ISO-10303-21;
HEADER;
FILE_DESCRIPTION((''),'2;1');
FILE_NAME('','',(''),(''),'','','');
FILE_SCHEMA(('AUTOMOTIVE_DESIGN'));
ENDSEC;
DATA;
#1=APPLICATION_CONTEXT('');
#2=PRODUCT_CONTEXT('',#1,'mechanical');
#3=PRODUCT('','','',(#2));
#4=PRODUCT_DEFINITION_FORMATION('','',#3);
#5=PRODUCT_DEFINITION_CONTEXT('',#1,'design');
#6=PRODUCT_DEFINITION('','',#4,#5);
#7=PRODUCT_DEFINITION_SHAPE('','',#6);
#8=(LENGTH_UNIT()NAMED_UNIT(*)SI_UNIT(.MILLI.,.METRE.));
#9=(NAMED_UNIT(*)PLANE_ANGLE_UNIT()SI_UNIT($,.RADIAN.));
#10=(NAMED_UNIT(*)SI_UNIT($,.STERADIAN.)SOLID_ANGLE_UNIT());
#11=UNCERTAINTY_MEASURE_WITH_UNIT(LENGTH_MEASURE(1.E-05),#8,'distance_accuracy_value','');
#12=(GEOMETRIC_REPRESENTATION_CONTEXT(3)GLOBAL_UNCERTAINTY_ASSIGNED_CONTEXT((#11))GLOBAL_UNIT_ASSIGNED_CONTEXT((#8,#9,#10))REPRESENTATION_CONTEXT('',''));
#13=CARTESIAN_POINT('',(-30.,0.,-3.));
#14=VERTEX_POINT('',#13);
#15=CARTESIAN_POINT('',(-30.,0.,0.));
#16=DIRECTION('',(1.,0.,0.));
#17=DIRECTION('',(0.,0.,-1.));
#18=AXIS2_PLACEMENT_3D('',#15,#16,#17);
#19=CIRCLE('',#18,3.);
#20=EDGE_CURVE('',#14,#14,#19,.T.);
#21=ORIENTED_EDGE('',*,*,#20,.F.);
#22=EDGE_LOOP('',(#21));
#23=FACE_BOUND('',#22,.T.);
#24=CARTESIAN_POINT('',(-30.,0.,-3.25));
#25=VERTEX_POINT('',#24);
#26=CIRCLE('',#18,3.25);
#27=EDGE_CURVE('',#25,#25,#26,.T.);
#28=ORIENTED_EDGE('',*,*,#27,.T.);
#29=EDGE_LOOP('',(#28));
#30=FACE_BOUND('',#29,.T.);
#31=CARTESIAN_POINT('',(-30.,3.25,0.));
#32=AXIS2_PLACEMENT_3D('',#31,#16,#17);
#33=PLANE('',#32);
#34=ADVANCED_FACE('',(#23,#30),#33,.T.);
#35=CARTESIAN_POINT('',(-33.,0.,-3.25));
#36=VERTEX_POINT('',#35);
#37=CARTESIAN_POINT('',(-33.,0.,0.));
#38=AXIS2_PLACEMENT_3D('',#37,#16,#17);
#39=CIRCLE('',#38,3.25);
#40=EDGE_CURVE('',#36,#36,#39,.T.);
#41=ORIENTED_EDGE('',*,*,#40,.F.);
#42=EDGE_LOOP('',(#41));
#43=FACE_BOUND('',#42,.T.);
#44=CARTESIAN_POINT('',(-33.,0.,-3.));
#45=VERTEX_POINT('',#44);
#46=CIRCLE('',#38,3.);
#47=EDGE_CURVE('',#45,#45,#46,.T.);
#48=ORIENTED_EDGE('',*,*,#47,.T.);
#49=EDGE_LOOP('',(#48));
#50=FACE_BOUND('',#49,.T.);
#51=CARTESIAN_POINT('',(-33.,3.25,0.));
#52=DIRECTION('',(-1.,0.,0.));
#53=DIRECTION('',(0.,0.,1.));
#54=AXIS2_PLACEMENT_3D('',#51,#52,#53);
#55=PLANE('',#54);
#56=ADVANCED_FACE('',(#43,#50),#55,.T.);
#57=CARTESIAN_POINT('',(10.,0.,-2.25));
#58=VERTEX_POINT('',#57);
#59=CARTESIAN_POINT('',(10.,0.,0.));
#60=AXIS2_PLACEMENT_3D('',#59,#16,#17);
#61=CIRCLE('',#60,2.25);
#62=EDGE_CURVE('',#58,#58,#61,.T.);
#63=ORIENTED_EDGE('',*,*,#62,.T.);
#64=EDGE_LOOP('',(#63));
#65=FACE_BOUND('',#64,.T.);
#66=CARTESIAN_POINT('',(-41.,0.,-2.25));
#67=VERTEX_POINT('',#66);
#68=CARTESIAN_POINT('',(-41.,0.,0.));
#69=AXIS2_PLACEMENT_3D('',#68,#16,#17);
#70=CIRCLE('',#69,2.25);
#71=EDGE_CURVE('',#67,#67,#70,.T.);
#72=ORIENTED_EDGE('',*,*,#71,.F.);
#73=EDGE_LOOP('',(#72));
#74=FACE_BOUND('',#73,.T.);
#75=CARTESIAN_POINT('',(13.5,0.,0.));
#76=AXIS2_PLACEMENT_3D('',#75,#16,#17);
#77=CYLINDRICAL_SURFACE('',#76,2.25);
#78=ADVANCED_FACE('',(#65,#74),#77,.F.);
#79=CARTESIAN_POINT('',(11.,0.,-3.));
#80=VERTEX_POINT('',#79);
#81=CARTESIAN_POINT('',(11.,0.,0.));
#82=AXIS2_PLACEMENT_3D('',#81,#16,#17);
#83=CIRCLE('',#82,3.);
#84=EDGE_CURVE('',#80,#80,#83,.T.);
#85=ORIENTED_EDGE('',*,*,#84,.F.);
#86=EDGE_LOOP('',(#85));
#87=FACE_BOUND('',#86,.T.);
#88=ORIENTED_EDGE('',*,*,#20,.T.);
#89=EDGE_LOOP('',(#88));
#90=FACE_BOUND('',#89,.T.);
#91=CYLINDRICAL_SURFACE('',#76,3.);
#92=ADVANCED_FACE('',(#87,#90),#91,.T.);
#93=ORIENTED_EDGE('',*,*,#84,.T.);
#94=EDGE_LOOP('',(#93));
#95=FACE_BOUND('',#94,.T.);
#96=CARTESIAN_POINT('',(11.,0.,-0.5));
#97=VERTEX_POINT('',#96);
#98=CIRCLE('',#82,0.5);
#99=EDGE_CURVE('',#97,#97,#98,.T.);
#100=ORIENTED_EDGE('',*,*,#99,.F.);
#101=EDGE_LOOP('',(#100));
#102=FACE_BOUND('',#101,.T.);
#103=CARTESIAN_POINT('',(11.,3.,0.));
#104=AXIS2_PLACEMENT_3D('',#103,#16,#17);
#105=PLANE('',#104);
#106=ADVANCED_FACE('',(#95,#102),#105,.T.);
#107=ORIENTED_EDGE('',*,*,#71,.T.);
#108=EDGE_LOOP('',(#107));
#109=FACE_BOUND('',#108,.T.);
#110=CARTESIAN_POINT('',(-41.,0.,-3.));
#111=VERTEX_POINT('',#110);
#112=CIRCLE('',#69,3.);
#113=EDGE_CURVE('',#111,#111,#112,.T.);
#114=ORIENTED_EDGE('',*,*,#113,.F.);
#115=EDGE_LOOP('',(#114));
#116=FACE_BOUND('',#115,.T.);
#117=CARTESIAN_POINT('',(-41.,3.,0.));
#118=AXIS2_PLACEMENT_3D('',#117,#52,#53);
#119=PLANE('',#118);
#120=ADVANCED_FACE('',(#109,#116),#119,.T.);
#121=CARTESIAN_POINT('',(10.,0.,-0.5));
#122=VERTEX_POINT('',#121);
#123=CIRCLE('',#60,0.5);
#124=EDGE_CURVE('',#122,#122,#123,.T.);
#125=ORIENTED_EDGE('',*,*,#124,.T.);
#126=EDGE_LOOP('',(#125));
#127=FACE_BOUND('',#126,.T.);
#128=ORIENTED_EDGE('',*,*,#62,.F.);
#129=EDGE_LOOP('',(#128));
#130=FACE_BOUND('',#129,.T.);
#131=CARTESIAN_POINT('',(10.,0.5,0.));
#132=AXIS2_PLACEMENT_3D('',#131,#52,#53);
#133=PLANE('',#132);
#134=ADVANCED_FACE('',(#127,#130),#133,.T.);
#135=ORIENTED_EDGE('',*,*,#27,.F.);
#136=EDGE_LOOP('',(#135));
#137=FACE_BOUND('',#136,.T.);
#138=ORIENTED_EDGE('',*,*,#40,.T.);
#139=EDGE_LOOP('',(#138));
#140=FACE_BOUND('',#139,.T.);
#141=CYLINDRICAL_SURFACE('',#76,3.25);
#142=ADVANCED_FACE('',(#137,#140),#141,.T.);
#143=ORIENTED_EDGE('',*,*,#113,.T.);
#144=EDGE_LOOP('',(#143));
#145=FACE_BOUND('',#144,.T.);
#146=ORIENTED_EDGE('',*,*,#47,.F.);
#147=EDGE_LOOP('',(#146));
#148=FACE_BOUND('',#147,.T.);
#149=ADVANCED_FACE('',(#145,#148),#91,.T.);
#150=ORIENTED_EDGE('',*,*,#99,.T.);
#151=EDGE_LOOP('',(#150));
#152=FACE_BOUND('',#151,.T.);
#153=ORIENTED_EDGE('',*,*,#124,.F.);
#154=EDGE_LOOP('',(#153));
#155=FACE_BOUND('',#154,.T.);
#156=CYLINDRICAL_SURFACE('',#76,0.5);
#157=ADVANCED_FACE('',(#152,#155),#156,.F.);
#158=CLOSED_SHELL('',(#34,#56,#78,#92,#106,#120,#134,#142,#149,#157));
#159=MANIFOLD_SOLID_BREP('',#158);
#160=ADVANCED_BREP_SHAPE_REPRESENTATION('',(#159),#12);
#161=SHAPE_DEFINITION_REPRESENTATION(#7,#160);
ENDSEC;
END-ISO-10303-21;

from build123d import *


with BuildPart() as part:
    # Sketch1 → Revolve1 (revolve)
    with BuildSketch(Plane.XY):
        Polygon((10, 0.5), (11, 0.5), (11, 3), (-30, 3), (-30, 3.25), (-33, 3.25), (-33, 3), (-41, 3), (-41, 2.25), (10, 2.25), align=None)
    revolve(axis=Axis((13.5, 0, 0), (-1, 0, 0)))


solid = part.part
